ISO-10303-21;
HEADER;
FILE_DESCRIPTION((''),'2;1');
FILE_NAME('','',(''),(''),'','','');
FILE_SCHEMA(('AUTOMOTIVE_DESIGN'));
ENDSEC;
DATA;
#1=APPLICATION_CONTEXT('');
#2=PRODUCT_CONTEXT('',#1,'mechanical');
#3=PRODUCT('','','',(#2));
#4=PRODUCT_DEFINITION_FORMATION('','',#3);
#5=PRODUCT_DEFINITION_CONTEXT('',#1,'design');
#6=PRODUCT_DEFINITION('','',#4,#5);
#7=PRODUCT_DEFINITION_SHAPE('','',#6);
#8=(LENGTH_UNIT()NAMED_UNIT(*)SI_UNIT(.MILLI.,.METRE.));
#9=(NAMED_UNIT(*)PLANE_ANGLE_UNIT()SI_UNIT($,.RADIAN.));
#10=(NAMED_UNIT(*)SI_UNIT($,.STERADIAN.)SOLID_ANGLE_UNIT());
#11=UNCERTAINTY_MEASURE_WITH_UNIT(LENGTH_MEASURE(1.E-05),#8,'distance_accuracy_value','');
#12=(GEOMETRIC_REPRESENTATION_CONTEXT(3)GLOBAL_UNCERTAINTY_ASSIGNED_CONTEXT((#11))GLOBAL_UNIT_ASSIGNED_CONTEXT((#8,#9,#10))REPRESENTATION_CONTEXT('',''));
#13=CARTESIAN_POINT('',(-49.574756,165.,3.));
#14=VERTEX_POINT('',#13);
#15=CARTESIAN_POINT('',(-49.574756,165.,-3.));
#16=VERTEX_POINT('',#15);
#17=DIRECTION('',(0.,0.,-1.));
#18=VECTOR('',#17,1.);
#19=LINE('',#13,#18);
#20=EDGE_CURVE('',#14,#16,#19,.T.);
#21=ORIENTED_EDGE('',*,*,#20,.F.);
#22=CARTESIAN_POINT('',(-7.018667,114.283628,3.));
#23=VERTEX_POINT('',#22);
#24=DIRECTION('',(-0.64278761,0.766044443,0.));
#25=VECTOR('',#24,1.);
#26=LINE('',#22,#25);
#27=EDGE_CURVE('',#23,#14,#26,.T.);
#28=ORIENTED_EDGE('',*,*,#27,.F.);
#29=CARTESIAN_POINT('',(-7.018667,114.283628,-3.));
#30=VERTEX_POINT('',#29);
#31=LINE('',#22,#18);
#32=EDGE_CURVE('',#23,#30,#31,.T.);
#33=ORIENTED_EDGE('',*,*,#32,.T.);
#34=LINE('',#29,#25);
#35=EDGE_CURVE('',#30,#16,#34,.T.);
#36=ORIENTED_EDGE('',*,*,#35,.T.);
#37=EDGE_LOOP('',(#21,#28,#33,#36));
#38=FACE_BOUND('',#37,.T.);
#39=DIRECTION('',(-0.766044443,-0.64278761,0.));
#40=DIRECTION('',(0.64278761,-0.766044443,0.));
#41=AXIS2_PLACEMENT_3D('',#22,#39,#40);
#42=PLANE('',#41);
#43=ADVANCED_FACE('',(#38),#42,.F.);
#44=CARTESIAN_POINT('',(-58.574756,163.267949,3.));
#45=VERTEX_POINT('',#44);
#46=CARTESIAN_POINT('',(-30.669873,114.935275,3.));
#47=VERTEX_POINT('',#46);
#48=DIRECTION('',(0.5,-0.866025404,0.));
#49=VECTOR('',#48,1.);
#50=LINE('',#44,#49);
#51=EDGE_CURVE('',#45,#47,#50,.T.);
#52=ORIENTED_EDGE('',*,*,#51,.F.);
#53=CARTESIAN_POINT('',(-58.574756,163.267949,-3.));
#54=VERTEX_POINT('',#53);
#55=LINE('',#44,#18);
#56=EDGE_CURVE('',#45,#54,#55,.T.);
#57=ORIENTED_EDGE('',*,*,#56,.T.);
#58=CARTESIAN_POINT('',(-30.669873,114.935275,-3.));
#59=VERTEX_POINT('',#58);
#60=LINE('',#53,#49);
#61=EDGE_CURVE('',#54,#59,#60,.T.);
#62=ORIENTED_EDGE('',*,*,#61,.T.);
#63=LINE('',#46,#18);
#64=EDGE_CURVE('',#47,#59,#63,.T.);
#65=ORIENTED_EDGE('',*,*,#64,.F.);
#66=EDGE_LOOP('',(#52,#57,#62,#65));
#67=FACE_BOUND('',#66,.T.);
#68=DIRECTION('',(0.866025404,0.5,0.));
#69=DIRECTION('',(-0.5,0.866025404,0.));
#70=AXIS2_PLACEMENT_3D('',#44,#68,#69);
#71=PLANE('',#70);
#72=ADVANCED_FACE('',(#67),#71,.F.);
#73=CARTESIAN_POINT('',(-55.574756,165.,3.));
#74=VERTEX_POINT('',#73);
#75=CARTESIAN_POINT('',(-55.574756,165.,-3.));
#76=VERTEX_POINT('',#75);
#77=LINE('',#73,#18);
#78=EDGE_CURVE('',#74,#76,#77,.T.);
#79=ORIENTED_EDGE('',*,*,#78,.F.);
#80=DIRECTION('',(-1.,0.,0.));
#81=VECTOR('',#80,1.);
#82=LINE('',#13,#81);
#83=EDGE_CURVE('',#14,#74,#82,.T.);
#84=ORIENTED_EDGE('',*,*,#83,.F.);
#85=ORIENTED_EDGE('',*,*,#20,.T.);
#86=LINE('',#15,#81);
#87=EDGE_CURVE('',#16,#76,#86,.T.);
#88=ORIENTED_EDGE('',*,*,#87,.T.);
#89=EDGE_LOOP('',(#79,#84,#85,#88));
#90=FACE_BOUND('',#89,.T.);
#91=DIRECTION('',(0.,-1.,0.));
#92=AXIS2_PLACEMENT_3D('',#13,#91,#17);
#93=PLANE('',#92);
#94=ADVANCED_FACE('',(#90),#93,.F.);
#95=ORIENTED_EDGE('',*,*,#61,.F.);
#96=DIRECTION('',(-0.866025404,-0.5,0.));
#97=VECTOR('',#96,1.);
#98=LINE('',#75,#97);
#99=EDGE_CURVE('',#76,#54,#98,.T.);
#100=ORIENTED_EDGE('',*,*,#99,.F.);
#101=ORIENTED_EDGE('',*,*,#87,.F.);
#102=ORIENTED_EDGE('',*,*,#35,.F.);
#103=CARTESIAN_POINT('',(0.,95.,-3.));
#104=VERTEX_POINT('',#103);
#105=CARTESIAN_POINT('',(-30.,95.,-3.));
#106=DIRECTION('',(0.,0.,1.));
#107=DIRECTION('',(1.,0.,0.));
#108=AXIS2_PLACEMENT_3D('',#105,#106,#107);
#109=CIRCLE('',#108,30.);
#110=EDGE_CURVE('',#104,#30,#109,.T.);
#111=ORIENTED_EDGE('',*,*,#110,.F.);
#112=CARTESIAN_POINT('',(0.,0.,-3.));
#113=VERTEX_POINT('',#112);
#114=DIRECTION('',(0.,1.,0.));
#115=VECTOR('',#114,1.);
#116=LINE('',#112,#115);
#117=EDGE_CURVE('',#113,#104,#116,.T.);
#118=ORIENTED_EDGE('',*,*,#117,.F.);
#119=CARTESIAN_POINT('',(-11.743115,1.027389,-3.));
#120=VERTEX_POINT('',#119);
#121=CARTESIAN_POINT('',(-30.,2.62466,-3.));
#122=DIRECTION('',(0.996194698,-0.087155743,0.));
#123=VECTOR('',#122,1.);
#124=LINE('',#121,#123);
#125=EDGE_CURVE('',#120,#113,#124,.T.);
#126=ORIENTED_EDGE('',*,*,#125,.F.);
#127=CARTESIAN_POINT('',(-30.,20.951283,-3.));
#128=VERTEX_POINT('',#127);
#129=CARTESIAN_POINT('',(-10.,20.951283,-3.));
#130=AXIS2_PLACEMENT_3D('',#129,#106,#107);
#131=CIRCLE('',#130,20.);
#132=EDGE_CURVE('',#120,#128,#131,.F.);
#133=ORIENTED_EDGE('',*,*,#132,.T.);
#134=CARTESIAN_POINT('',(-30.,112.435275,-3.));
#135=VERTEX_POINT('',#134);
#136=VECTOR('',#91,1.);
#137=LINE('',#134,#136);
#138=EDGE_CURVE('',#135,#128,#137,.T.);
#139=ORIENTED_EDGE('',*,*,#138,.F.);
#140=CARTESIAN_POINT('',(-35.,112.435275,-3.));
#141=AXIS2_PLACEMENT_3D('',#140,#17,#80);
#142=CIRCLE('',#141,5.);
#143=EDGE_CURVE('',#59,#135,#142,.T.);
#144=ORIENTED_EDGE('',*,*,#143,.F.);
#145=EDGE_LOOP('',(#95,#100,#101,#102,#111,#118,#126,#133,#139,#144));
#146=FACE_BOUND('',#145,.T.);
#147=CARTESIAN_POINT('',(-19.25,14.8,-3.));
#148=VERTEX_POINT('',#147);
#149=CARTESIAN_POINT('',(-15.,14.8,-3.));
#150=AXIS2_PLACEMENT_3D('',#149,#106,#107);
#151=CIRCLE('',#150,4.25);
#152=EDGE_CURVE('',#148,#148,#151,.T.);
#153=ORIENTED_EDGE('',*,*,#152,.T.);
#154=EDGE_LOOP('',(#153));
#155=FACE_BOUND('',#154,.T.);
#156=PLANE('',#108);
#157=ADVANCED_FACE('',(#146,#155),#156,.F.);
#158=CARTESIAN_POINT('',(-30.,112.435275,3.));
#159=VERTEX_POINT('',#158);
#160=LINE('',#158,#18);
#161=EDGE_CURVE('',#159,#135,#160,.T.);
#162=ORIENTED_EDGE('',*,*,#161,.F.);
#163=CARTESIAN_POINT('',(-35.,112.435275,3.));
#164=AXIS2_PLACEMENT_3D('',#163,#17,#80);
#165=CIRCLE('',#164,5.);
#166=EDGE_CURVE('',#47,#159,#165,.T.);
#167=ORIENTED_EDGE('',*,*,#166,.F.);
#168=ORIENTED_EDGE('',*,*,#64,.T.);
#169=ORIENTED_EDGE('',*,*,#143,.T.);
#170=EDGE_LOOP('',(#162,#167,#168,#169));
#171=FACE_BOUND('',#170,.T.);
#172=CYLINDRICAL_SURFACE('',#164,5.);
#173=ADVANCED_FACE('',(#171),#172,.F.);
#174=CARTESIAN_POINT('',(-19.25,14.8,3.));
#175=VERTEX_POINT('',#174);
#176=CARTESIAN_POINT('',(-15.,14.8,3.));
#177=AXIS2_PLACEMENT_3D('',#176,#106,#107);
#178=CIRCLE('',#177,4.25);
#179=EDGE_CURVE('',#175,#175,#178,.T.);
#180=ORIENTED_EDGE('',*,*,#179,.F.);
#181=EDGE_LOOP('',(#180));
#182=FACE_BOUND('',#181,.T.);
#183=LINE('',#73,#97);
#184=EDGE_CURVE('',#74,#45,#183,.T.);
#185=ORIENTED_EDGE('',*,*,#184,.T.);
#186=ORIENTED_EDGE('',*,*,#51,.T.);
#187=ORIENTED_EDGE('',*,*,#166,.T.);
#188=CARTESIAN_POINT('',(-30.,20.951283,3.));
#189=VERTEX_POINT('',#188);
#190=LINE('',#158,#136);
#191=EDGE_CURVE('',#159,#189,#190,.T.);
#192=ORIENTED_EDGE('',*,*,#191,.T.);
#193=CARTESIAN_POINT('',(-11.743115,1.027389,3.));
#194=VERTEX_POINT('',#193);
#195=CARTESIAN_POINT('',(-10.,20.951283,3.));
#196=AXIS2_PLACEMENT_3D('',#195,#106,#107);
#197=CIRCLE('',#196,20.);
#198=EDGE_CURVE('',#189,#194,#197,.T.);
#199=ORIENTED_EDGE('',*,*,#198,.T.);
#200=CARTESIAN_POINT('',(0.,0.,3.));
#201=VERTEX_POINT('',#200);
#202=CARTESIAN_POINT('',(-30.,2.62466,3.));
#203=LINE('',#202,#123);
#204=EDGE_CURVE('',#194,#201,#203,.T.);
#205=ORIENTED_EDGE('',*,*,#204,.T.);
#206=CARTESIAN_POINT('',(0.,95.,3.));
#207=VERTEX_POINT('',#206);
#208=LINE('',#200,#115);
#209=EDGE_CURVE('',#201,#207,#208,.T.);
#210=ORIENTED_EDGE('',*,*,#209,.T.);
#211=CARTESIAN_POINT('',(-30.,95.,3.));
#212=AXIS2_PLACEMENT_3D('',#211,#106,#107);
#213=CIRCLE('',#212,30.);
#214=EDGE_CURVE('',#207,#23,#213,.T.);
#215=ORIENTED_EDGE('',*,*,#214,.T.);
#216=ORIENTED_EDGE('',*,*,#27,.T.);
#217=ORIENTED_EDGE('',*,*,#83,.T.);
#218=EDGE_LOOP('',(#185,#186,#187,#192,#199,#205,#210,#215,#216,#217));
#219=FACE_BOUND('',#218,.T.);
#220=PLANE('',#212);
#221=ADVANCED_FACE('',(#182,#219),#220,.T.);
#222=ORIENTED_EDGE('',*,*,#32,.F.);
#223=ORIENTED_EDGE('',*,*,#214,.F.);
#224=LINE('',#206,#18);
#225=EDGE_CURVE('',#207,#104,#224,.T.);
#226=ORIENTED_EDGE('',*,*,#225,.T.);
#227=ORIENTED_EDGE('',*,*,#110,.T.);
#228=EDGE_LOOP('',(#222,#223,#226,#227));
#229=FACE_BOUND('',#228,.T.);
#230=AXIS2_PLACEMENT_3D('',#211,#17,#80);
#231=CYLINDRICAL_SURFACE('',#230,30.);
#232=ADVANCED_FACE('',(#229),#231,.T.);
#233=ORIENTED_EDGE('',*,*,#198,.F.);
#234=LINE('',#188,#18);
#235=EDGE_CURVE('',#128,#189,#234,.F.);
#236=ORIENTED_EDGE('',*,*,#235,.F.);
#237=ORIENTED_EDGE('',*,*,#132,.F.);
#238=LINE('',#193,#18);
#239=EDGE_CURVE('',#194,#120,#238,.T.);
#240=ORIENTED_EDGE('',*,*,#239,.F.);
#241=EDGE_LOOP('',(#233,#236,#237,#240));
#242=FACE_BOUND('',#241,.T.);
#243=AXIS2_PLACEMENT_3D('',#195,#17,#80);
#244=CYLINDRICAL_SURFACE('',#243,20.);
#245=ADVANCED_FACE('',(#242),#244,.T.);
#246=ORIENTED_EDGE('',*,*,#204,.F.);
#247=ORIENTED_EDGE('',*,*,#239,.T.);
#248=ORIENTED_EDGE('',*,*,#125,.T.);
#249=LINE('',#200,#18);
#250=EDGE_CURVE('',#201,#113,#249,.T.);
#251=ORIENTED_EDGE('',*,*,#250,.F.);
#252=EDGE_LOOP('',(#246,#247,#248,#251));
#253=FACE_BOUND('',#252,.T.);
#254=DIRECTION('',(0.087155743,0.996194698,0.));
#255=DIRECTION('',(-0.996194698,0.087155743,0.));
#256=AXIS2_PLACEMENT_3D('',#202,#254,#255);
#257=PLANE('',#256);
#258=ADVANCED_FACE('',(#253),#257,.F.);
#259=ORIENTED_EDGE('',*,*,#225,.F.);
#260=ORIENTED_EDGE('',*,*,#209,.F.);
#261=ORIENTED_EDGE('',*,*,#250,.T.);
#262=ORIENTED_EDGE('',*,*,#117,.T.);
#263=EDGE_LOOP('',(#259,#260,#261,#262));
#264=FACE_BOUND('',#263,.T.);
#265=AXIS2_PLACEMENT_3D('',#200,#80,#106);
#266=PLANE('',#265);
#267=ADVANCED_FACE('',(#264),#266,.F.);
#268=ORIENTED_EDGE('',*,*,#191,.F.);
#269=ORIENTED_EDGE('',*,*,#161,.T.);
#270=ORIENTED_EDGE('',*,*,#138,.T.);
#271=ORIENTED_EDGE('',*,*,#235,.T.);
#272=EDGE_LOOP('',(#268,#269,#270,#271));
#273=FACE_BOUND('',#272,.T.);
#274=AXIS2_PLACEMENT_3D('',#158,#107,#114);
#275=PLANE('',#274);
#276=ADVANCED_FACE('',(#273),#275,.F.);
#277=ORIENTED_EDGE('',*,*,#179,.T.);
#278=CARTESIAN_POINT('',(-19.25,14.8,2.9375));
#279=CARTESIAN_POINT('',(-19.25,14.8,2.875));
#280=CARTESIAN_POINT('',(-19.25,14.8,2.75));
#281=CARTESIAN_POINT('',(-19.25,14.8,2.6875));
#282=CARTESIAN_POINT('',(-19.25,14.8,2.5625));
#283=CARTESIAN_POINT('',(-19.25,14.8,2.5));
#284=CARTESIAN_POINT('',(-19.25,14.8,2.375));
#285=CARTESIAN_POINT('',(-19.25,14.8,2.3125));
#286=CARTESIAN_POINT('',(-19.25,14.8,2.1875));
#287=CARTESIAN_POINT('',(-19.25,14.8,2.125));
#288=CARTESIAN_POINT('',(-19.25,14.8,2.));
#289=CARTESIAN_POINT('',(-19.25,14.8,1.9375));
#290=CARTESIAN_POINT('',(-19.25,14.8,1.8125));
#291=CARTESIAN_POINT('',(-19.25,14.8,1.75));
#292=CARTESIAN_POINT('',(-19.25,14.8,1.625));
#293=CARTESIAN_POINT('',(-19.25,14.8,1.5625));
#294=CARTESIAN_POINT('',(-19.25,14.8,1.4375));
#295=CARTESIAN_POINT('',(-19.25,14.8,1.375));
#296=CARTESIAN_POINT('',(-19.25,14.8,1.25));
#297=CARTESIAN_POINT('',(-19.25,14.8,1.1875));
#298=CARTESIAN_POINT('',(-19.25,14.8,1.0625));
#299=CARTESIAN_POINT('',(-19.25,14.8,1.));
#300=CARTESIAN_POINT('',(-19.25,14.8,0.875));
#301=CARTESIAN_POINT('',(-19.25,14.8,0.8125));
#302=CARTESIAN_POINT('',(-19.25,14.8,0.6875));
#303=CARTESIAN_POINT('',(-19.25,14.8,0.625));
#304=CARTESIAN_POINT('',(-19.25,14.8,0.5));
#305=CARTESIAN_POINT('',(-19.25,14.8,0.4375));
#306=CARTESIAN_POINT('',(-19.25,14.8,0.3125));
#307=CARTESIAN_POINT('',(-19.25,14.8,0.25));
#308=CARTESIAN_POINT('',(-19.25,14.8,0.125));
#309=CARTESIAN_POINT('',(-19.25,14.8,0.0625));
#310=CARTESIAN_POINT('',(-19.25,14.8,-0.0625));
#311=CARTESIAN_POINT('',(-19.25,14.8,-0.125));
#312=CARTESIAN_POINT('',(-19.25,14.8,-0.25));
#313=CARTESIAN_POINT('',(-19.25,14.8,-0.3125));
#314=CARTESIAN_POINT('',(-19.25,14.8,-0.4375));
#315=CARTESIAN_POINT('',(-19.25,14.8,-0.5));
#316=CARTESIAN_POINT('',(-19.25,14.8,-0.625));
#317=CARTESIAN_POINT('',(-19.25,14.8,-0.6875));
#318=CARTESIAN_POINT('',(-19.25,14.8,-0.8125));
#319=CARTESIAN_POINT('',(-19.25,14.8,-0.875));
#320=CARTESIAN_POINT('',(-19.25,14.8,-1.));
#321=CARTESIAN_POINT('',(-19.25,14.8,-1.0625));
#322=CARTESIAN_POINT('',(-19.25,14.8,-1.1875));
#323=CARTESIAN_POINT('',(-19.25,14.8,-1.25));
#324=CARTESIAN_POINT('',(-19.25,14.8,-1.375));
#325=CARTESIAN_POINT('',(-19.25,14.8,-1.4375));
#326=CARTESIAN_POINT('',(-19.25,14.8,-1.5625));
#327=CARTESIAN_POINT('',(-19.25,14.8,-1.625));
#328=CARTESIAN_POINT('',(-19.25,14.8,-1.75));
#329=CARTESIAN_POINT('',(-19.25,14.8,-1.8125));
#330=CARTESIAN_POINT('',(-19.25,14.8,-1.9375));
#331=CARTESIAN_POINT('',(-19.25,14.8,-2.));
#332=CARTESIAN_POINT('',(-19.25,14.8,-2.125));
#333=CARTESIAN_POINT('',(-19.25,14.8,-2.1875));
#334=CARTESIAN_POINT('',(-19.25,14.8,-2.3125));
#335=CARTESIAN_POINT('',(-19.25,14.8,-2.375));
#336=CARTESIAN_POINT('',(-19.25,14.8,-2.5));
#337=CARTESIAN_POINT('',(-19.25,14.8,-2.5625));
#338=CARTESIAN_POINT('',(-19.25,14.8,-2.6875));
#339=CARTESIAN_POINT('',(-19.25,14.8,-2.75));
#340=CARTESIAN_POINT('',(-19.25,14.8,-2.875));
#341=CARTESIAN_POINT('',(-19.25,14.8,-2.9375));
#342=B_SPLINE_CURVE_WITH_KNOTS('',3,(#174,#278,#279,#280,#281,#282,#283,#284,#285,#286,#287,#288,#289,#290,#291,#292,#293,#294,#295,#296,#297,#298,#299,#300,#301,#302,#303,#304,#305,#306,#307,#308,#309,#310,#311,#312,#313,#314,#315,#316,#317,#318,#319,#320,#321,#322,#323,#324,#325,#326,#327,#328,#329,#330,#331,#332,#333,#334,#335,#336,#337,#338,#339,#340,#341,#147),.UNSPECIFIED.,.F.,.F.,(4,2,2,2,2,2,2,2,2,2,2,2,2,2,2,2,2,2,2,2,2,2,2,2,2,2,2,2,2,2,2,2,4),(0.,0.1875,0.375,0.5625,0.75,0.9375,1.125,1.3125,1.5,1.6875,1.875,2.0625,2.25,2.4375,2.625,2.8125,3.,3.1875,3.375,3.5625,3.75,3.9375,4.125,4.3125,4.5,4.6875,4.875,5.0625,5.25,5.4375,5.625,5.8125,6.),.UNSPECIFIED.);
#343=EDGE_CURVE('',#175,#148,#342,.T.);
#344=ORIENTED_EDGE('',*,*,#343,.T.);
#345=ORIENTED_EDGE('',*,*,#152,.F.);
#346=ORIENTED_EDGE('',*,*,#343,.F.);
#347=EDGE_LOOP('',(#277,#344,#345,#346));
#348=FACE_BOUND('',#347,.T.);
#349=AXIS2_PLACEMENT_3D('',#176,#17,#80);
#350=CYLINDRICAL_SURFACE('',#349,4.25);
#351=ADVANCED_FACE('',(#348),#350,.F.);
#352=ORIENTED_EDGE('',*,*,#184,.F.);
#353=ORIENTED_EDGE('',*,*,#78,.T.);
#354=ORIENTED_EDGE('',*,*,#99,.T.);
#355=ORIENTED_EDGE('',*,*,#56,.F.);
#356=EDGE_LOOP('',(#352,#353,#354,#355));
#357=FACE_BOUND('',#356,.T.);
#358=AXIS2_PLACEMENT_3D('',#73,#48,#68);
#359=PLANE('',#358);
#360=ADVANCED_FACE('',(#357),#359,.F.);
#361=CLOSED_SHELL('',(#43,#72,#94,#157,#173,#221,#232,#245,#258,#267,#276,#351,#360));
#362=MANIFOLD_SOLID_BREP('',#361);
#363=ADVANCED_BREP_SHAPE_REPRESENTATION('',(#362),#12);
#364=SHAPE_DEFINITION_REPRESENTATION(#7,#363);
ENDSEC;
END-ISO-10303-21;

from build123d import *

# Parameters (mm, degrees)
SKETCH1_R      = 4.25
EXTRUDE1_DEPTH = 3
FILLET1_R      = 20


with BuildPart() as part:
    # Sketch1 → Extrude1 (new, symmetric)
    with BuildSketch(Plane.XY):
        with BuildLine():
            Line((0, 0), (0, 95))
            ThreePointArc((0, 95), (-1.809221376, 105.2606043), (-7.018666706, 114.283628291))
            Line((-7.018666706, 114.283628291), (-49.574755502, 165))
            Line((-49.574755502, 165), (-55.574755502, 165))
            Line((-55.574755502, 165), (-58.574755502, 163.267949192))
            Line((-58.574755502, 163.267949192), (-30.669872981, 114.935274886))
            ThreePointArc((-30.669872981, 114.935274886), (-30.170370869, 113.729370112), (-30, 112.435274886))
            Line((-30, 112.435274886), (-30, 2.624659906))
            Line((-30, 2.624659906), (0, 0))
        make_face()
        with Locations((-15, 14.8)):
            Circle(SKETCH1_R, mode=Mode.SUBTRACT)
    extrude(amount=EXTRUDE1_DEPTH, both=True)

    # Fillet1
    fillet1_edges = [part.edges().sort_by_distance(p)[0] for p in [
        (-30, 2.624659906, 0),
    ]]
    fillet(fillet1_edges, radius=FILLET1_R)


solid = part.part
